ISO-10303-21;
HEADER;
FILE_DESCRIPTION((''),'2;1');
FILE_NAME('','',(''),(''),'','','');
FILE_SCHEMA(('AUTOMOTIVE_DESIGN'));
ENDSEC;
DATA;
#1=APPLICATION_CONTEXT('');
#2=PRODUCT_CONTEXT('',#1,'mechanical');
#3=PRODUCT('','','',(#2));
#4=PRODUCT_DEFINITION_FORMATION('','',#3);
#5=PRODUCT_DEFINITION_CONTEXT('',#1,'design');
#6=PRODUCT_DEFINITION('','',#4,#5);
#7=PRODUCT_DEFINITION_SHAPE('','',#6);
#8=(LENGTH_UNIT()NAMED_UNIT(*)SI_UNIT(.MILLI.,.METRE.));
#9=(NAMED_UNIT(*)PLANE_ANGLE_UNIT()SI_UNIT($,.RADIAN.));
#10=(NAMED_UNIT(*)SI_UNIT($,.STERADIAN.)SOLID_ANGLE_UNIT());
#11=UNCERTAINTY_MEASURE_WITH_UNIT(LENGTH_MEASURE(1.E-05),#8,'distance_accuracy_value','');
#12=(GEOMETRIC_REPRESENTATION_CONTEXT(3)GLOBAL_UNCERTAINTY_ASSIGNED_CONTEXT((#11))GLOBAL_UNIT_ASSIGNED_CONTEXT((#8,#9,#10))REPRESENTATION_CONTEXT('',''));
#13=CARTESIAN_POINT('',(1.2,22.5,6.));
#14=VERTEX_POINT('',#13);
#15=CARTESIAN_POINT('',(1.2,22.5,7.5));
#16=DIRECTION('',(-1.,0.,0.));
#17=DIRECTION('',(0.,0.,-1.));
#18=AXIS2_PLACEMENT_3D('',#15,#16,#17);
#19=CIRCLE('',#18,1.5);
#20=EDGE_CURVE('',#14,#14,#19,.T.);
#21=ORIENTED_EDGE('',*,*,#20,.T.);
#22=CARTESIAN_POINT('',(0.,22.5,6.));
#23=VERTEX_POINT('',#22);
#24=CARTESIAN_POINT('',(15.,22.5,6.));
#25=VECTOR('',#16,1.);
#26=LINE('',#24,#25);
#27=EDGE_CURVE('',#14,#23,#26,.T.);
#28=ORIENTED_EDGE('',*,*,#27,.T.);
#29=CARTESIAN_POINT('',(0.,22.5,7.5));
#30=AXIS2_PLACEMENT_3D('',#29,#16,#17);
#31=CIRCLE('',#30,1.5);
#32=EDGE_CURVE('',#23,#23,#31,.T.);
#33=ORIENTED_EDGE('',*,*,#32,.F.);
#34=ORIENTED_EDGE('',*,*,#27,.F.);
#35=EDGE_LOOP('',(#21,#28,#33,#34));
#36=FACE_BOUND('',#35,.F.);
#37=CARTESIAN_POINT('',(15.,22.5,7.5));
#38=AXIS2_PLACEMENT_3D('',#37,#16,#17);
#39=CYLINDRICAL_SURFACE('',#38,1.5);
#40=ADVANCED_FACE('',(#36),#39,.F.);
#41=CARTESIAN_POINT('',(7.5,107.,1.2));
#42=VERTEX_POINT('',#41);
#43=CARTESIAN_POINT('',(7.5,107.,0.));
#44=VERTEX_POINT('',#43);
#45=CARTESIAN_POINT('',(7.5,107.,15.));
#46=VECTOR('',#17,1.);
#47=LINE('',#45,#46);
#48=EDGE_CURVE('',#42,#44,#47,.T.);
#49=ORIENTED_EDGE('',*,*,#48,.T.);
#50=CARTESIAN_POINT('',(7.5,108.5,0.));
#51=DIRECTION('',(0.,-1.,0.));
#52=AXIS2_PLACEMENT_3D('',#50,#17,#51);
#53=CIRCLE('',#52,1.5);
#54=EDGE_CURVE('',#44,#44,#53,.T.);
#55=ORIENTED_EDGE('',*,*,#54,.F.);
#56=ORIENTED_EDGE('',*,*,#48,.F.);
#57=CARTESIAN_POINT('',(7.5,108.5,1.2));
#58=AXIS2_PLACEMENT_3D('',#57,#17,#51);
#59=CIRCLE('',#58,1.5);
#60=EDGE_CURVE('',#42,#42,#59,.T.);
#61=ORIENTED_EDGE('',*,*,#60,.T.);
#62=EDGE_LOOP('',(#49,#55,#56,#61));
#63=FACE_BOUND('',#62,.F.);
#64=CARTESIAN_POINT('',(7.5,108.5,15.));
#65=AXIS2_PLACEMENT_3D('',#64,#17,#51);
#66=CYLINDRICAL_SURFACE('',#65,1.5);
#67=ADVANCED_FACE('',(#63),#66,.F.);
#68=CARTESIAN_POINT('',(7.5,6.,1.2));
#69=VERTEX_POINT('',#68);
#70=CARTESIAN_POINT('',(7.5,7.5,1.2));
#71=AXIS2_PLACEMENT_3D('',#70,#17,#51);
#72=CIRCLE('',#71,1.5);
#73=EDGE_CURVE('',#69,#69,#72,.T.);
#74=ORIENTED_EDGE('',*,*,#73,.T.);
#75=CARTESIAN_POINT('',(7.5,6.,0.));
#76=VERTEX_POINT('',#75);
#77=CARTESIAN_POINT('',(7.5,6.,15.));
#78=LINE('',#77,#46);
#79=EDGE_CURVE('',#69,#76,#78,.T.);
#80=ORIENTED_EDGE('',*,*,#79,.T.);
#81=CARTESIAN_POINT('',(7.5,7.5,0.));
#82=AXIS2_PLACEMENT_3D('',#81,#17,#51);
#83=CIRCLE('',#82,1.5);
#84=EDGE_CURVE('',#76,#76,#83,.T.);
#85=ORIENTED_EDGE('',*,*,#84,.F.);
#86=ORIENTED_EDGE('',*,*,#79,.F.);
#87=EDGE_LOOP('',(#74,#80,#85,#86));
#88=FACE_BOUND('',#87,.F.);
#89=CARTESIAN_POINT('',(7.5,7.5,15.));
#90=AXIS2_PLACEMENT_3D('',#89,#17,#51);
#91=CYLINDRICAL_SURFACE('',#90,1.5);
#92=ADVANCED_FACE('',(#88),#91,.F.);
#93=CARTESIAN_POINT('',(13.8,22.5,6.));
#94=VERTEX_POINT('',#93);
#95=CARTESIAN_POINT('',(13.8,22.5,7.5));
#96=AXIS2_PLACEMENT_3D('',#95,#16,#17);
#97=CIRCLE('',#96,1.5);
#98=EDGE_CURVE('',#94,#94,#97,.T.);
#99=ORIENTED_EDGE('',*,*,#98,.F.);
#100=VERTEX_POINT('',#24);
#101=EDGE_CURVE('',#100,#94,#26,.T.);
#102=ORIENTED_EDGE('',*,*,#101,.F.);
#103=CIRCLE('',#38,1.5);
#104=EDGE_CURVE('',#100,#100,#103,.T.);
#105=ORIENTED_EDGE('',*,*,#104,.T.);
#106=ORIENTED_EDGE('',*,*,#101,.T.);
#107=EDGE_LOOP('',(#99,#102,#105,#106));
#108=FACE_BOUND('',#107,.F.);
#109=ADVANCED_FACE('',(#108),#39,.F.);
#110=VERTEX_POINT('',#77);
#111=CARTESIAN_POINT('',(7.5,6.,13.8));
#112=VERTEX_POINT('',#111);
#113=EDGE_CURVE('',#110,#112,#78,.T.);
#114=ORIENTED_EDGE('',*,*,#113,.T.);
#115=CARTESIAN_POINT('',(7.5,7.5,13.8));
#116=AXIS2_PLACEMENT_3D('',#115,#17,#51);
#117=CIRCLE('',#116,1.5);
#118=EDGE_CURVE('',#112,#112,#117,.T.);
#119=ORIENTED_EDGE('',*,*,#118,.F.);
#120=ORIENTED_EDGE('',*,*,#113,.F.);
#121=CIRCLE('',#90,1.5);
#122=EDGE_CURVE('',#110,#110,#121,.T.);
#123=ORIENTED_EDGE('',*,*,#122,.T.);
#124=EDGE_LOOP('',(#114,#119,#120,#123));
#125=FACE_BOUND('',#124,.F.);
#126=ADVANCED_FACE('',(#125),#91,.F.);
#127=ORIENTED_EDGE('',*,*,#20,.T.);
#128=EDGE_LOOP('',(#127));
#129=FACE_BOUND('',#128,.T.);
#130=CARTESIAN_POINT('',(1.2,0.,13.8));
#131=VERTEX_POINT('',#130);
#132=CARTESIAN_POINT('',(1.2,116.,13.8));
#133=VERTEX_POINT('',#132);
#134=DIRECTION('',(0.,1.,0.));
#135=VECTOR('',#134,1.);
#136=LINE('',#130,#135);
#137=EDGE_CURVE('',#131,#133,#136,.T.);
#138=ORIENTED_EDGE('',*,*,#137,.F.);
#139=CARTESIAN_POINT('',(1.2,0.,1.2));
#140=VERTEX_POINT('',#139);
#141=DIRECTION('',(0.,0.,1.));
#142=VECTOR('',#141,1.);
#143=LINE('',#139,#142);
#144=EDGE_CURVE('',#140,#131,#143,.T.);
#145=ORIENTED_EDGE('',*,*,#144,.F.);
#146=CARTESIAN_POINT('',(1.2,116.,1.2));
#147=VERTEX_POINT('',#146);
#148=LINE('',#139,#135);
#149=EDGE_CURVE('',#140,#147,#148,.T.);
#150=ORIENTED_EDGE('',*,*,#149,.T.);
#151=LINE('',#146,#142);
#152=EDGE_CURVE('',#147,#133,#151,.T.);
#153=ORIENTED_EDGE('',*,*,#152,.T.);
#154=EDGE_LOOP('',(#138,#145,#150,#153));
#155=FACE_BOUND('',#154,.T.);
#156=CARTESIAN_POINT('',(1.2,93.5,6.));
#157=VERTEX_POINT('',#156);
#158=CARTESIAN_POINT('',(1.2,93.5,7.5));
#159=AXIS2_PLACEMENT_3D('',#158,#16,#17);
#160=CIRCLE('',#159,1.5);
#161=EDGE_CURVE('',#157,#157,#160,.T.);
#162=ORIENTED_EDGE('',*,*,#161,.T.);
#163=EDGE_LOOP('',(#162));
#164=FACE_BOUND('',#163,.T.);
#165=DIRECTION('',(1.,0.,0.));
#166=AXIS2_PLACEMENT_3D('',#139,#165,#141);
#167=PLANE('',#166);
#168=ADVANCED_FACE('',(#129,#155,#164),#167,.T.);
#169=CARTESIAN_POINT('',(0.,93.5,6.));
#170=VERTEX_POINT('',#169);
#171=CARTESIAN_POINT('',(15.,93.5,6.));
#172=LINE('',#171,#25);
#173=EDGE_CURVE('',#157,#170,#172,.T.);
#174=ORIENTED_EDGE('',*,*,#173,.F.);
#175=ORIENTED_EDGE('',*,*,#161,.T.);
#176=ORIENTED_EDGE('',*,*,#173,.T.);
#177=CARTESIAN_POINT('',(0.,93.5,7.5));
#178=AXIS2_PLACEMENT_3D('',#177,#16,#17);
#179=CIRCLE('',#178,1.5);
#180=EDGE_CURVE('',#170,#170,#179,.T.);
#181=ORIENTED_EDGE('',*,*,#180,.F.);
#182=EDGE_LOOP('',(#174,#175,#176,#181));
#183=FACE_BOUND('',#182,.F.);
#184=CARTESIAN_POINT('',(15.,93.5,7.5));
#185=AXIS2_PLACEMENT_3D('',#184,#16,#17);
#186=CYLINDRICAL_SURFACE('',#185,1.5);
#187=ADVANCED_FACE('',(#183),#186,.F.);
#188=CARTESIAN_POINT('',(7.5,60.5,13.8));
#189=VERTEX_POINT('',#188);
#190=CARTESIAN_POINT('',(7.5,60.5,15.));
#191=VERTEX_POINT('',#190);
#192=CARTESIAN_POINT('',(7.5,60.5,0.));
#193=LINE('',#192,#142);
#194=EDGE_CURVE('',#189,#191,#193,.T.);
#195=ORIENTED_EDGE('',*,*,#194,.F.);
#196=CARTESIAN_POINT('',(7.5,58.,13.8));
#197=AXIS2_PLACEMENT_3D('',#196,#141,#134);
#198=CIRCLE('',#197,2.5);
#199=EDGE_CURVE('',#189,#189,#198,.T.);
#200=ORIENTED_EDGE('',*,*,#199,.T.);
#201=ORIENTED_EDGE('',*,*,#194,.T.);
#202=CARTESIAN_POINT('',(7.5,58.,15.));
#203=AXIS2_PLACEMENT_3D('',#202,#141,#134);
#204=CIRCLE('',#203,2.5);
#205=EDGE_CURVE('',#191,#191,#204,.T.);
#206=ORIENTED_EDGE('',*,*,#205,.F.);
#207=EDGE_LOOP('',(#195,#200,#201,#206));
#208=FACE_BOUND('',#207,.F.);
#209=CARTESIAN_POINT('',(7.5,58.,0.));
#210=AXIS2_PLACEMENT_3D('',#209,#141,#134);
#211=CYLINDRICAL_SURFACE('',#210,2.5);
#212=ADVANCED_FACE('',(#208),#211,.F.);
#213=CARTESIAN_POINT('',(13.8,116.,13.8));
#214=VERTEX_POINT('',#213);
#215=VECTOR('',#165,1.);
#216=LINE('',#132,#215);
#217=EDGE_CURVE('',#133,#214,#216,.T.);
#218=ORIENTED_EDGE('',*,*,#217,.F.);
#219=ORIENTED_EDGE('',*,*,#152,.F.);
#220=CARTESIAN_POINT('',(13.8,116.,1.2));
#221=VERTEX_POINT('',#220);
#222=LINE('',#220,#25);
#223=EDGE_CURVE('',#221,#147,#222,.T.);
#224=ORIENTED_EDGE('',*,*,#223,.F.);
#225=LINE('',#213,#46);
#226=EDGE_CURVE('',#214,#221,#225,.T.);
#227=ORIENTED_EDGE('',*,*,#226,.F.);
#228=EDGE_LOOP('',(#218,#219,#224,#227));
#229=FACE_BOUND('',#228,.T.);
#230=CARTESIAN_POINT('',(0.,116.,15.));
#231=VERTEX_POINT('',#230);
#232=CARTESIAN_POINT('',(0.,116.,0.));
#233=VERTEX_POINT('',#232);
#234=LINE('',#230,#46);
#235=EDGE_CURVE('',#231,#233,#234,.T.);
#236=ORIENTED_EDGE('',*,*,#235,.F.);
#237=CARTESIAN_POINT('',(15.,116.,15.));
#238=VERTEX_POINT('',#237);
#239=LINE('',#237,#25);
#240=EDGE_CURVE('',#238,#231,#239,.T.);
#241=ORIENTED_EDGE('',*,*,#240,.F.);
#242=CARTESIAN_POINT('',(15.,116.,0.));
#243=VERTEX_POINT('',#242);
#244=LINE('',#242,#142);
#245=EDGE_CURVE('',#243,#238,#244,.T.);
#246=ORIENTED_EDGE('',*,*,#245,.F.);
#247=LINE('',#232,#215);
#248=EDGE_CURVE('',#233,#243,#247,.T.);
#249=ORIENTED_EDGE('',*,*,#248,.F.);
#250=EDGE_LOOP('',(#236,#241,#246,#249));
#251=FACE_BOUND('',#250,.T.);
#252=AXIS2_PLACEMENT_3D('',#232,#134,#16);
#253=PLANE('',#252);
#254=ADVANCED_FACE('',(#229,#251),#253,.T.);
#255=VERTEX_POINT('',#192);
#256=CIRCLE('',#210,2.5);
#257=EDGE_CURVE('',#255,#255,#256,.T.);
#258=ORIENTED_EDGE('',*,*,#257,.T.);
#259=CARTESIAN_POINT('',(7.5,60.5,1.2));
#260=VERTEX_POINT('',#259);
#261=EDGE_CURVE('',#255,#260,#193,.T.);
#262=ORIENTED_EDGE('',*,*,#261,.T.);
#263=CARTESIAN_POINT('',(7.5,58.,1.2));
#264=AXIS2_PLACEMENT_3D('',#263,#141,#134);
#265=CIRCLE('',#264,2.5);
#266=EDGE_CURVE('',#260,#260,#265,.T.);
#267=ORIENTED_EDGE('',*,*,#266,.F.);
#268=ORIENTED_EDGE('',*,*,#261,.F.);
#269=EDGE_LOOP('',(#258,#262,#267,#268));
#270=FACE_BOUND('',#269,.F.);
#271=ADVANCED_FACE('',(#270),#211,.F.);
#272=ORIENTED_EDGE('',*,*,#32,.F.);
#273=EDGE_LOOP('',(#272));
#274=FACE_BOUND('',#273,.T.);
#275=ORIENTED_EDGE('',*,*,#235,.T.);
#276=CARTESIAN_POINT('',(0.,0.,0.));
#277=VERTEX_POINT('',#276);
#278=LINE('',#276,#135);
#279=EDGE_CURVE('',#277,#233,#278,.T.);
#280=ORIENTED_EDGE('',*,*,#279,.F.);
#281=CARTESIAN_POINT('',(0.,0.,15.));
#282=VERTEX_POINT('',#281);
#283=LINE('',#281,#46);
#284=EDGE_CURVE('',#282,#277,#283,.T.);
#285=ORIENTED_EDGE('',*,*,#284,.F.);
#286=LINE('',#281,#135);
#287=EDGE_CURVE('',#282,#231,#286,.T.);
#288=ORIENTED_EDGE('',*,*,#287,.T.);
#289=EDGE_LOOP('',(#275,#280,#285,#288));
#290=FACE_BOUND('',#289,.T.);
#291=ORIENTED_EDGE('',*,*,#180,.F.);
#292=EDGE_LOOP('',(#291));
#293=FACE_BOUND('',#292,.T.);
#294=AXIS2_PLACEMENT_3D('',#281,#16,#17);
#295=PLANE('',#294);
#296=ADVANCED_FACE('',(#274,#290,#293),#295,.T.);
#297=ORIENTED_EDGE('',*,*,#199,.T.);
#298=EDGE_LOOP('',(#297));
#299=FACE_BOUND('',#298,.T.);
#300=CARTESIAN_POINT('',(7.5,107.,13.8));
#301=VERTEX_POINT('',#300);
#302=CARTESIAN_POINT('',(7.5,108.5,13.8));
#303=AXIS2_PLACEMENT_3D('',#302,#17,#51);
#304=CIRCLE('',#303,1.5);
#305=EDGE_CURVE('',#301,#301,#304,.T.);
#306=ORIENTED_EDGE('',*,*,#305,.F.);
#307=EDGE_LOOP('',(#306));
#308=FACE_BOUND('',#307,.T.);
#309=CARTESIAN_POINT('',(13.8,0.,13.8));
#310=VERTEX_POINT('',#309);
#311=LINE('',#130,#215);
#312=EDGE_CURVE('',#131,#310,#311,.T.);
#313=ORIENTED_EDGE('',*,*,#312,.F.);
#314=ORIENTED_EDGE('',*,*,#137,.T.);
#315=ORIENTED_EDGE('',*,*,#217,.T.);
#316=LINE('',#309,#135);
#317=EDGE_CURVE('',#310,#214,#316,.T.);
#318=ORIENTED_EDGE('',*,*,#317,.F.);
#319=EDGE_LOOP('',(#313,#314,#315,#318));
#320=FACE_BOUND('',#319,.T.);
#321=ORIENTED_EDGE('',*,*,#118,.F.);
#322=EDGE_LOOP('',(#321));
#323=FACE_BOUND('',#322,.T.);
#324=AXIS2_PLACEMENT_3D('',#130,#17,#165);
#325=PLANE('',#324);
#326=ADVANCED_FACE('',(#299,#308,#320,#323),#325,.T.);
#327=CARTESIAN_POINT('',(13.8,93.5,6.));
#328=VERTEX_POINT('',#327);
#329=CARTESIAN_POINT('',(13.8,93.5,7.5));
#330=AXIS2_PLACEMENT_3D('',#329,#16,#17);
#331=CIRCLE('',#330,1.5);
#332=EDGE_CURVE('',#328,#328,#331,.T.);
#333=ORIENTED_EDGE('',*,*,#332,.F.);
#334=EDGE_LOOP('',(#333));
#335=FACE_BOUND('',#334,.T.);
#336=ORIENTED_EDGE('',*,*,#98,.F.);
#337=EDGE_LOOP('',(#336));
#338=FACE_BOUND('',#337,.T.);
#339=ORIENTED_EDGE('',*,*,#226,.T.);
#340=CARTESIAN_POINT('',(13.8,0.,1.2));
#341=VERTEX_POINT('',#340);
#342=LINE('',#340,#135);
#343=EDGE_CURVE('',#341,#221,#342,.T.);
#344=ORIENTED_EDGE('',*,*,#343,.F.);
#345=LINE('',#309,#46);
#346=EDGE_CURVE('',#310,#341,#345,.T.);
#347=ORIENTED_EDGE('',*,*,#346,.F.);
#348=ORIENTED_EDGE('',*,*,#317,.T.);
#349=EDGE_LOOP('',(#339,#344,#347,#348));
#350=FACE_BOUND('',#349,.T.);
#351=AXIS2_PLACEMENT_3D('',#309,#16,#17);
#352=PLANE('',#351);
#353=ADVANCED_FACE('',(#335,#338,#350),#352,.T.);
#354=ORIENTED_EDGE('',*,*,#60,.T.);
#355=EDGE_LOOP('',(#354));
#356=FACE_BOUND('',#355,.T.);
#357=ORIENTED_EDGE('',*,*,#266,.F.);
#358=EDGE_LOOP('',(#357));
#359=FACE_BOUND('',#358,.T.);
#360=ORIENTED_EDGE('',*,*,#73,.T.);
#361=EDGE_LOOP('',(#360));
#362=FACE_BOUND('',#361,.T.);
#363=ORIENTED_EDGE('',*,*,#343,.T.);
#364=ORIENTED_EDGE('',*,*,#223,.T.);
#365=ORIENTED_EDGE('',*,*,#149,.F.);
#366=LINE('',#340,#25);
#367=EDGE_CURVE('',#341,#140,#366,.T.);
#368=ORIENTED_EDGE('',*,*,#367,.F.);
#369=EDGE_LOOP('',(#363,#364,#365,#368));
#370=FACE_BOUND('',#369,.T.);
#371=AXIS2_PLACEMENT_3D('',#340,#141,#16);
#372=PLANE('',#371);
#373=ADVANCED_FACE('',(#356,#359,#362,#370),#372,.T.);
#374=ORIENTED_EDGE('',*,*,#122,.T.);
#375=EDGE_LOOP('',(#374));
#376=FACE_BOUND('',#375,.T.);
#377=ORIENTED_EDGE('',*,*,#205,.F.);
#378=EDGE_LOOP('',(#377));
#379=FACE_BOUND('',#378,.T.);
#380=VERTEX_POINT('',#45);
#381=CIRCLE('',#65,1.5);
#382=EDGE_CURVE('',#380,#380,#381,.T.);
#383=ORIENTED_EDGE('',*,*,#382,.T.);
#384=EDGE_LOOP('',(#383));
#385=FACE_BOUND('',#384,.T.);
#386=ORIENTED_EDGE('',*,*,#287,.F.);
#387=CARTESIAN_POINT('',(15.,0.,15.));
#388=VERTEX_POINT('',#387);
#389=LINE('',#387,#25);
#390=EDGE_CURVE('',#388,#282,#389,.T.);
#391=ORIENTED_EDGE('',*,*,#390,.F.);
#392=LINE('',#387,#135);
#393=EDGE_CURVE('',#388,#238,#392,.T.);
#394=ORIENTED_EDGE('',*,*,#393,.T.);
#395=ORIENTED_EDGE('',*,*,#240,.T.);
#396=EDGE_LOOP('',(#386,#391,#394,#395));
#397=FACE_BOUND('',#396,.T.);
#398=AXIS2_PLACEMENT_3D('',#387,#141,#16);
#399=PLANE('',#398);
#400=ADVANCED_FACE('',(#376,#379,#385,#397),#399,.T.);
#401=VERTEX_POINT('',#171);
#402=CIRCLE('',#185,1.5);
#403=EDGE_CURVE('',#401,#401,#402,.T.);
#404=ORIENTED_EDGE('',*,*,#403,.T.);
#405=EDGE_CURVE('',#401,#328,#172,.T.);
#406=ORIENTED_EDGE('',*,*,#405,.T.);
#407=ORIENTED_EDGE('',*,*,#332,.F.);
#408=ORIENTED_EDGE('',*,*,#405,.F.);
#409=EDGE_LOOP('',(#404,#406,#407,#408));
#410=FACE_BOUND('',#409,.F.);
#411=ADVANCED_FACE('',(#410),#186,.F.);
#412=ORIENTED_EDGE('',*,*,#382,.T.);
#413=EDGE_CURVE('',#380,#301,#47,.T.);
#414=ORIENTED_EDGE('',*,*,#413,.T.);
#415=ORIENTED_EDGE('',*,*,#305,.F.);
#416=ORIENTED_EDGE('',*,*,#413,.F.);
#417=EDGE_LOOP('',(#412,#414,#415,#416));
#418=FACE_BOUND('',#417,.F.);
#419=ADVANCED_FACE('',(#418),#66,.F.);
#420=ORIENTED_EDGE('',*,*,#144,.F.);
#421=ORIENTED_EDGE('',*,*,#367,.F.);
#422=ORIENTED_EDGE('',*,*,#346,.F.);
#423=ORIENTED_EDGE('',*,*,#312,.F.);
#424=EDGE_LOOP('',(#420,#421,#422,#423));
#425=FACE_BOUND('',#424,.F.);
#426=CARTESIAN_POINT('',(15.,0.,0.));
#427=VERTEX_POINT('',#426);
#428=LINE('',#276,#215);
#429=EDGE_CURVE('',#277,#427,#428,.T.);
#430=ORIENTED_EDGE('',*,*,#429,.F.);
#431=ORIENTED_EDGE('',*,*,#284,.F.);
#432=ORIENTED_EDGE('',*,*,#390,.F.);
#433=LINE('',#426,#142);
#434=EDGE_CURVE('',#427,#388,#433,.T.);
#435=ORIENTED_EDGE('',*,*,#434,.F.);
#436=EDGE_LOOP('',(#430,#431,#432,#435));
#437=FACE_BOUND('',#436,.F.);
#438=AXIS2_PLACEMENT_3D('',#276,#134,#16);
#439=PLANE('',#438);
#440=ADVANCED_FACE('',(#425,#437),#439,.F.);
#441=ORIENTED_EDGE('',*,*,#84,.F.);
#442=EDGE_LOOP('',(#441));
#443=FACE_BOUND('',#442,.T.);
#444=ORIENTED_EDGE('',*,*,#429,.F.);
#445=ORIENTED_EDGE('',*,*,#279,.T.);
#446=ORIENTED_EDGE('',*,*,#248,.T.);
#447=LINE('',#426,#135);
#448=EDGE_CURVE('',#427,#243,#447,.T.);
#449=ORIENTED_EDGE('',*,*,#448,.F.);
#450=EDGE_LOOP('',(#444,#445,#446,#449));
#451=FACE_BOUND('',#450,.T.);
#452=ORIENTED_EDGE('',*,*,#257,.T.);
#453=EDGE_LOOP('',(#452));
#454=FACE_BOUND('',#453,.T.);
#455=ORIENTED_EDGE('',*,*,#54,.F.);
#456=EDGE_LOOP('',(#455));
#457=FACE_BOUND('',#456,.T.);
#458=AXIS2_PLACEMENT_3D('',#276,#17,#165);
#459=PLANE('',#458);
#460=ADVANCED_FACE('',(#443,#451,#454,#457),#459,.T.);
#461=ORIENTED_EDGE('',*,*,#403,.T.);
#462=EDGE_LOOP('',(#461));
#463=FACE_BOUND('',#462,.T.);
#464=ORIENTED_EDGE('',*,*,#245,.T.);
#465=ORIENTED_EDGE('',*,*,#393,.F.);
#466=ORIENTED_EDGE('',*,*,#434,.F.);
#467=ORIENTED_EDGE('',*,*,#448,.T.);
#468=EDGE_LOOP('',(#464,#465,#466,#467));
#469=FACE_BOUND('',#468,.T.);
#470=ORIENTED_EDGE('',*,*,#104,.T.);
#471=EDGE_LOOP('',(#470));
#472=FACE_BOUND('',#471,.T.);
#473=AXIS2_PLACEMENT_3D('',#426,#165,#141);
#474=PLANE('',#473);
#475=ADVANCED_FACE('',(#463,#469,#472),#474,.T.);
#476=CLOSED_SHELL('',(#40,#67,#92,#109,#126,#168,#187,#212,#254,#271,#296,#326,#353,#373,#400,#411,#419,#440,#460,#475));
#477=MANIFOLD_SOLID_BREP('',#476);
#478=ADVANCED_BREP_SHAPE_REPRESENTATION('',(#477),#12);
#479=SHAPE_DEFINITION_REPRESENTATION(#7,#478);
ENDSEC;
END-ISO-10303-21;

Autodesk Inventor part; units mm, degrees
ref_plane "YZ Plane" through (0, 0, 0) normal (1, 0, 0) x (0, 1, 0)
ref_plane "XZ Plane" through (0, 0, 0) normal (0, 1, 0) x (-1, 0, 0)
ref_plane "XY Plane" through (0, 0, 0) normal (0, 0, 1) x (1, 0, 0)
sketch "スケッチ1" plane through (0, 0, 0) normal (0, 1, 0) x (-1, 0, 0)
  line L0 (0, 0) -> (-15, 0)
  line L1 (-15, 0) -> (-15, 15)
  line L2 (-15, 15) -> (0, 15)
  line L3 (0, 15) -> (0, 0)
  line L4 (-1.2, 13.8) -> (-13.8, 13.8)
  line L5 (-13.8, 13.8) -> (-13.8, 1.2)
  line L6 (-13.8, 1.2) -> (-1.2, 1.2)
  line L7 (-1.2, 1.2) -> (-1.2, 13.8)
  dimension "d0" = 15
  dimension "d1" = 15
  dimension "d2" = 1.2
  dimension "d3" = 1.2
  dimension "d4" = 1.2
  dimension "d5" = 1.2
extrude "押し出し1" add sketch "スケッチ1" along normal blind 116
sketch "スケッチ2" plane through (0, 0, 15) normal (0, 0, 1) x (1, 0, 0)
  line L0 (0, 116) -> (15, 116) projected
  line L1 (0, 0) -> (15, 0) projected
  line L2 (15, 0) -> (15, 116) projected
  point P0 (7.5, 108.5)
  point P1 (7.5, 7.5)
  dimension "d8" = 7.5
  dimension "d9" = 7.5
  dimension "d10" = 7.5
  dimension "d11" = 7.5
hole "穴1" at (7.5, 108.5, 15) at (7.5, 7.5, 15) direction (0, 0, -1) diameter 3 end through all
sketch "スケッチ3" plane through (15, 0, 15) normal (1, 0, 0) x (0, 0, -1)
  line L0 (0, 0) -> (15, 0) projected
  line L1 (0, 0) -> (0, 116) projected
  line L2 (0, 116) -> (15, 116) projected
  point P0 (7.5, 22.5)
  point P1 (7.5, 93.5)
  dimension "d19" = 22.5
  dimension "d20" = 7.5
  dimension "d21" = 7.5
  dimension "d22" = 22.5
hole "穴2" at (15, 22.5, 7.5) at (15, 93.5, 7.5) direction (-1, 0, 0) diameter 3 end through all
sketch "スケッチ4" plane through (15, 0, 0) normal (0, 0, -1) x (-1, 0, 0)
  line L0 (0, 116) -> (15, 116) projected
  line L1 (0, 0) -> (15, 0) projected
  line L2 (0, 0) -> (0, 116) projected
  point P0 (7.5, 58)
  dimension "d30" = 116
  dimension "d31" = 58
  dimension "d32" = 7.5
hole "穴3" at (7.5, 58, 0) direction (0, 0, 1) diameter 5 end through all
equation "\"d3\" = d2"
equation "\"d4\" = d2"
equation "\"d5\" = d2"
equation "\"d9\" = d8"
equation "\"d10\" = d8"
equation "\"d11\" = d9"
equation "\"d31\" = 0.5 * d30"
properties part number "ロボットベース15x15_4" material "アルミニウム 6061"
